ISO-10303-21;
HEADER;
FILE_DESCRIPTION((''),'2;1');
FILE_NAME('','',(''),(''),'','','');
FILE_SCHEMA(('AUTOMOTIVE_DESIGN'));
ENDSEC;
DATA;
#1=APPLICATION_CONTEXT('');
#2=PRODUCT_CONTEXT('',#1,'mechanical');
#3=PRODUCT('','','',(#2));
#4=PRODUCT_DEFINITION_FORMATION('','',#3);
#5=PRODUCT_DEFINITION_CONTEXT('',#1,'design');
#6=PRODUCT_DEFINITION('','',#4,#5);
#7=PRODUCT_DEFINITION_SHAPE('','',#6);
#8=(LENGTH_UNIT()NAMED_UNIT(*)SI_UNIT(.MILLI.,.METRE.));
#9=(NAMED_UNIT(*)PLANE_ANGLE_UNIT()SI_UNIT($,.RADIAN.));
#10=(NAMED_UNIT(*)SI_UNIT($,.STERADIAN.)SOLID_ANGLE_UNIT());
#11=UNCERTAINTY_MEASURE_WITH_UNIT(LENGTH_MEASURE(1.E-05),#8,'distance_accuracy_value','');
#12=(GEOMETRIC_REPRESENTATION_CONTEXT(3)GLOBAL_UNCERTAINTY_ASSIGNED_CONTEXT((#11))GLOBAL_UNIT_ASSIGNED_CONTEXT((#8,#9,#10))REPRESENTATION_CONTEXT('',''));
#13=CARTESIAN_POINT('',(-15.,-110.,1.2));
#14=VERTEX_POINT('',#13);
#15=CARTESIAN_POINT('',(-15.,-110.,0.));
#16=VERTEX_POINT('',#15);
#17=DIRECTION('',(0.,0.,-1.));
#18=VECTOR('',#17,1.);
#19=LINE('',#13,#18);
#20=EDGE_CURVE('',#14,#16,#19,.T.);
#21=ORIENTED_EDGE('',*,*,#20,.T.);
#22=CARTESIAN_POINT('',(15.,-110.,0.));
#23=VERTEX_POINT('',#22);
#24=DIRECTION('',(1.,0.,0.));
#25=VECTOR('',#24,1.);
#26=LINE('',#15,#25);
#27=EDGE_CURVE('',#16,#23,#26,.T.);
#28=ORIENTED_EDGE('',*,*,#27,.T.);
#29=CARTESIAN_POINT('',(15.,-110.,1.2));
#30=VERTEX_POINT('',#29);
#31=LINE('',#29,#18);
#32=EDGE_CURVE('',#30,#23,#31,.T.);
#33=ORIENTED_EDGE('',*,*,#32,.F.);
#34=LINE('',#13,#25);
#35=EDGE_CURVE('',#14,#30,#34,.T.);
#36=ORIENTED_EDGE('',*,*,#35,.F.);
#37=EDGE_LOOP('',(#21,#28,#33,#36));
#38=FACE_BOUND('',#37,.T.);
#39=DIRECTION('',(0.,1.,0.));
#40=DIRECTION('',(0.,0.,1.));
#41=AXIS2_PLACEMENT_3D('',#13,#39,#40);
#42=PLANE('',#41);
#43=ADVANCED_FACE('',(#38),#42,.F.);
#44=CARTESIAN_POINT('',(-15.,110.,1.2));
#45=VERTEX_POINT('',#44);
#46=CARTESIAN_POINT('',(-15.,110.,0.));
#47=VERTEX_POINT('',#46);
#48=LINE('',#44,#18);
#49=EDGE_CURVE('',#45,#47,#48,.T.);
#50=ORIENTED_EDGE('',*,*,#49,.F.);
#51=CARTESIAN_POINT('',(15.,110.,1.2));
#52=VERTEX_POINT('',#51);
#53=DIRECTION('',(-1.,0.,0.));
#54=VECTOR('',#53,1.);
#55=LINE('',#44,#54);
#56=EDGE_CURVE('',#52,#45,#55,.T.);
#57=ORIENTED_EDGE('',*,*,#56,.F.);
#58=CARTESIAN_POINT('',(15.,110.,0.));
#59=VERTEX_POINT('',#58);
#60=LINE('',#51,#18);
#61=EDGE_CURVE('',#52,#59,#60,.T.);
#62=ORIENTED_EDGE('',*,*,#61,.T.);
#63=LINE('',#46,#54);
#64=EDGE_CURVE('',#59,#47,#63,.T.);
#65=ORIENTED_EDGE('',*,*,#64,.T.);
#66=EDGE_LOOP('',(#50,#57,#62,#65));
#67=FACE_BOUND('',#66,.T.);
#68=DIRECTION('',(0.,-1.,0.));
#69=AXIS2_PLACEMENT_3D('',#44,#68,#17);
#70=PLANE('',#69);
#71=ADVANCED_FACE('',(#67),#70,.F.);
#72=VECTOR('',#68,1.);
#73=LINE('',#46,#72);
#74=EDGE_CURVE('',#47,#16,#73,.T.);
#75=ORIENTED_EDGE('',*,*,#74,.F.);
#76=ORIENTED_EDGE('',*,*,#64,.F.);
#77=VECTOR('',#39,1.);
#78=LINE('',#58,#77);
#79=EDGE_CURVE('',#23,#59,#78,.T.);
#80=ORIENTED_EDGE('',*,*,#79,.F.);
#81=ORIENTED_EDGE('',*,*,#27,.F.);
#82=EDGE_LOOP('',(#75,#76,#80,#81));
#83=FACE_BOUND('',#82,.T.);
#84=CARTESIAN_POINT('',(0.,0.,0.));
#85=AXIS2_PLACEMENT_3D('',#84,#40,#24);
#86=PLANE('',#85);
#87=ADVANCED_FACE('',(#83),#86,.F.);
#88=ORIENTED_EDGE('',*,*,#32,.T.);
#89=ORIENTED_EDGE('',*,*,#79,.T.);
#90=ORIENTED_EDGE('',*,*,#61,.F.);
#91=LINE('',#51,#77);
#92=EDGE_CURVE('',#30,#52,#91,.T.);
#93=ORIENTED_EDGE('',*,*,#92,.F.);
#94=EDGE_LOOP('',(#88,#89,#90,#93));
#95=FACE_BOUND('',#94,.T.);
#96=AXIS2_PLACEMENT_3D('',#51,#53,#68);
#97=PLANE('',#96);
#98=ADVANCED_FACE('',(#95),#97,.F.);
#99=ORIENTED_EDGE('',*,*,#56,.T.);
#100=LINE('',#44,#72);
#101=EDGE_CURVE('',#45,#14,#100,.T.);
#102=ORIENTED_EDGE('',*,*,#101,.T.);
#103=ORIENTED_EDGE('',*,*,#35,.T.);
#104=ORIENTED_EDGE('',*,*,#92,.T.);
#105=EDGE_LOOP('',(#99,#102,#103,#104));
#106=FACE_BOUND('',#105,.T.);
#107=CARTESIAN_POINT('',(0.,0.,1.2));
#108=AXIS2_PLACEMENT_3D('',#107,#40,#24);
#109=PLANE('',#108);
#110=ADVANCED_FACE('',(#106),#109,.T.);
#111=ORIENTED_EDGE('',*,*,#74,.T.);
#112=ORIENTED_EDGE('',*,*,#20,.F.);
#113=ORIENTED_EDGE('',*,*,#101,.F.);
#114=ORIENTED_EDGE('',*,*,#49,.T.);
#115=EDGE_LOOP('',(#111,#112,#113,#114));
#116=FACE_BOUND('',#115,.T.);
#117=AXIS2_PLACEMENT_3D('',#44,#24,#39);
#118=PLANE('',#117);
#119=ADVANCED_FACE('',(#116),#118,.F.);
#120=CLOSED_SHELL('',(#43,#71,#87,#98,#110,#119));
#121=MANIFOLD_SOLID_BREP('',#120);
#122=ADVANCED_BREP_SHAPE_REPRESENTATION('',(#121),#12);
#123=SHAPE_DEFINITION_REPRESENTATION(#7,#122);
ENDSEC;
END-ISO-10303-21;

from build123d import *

# Parameters (mm, degrees)
ESBO_O1_W                = 30
ESBO_O1_H                = 220
RESSALTO_EXTRUS_O1_DEPTH = 1.2


with BuildPart() as part:
    # Esboço1 → Ressalto-extrusão1 (new body)
    with BuildSketch(Plane.XY):
        Rectangle(ESBO_O1_W, ESBO_O1_H)
    extrude(amount=RESSALTO_EXTRUS_O1_DEPTH)


solid = part.part
